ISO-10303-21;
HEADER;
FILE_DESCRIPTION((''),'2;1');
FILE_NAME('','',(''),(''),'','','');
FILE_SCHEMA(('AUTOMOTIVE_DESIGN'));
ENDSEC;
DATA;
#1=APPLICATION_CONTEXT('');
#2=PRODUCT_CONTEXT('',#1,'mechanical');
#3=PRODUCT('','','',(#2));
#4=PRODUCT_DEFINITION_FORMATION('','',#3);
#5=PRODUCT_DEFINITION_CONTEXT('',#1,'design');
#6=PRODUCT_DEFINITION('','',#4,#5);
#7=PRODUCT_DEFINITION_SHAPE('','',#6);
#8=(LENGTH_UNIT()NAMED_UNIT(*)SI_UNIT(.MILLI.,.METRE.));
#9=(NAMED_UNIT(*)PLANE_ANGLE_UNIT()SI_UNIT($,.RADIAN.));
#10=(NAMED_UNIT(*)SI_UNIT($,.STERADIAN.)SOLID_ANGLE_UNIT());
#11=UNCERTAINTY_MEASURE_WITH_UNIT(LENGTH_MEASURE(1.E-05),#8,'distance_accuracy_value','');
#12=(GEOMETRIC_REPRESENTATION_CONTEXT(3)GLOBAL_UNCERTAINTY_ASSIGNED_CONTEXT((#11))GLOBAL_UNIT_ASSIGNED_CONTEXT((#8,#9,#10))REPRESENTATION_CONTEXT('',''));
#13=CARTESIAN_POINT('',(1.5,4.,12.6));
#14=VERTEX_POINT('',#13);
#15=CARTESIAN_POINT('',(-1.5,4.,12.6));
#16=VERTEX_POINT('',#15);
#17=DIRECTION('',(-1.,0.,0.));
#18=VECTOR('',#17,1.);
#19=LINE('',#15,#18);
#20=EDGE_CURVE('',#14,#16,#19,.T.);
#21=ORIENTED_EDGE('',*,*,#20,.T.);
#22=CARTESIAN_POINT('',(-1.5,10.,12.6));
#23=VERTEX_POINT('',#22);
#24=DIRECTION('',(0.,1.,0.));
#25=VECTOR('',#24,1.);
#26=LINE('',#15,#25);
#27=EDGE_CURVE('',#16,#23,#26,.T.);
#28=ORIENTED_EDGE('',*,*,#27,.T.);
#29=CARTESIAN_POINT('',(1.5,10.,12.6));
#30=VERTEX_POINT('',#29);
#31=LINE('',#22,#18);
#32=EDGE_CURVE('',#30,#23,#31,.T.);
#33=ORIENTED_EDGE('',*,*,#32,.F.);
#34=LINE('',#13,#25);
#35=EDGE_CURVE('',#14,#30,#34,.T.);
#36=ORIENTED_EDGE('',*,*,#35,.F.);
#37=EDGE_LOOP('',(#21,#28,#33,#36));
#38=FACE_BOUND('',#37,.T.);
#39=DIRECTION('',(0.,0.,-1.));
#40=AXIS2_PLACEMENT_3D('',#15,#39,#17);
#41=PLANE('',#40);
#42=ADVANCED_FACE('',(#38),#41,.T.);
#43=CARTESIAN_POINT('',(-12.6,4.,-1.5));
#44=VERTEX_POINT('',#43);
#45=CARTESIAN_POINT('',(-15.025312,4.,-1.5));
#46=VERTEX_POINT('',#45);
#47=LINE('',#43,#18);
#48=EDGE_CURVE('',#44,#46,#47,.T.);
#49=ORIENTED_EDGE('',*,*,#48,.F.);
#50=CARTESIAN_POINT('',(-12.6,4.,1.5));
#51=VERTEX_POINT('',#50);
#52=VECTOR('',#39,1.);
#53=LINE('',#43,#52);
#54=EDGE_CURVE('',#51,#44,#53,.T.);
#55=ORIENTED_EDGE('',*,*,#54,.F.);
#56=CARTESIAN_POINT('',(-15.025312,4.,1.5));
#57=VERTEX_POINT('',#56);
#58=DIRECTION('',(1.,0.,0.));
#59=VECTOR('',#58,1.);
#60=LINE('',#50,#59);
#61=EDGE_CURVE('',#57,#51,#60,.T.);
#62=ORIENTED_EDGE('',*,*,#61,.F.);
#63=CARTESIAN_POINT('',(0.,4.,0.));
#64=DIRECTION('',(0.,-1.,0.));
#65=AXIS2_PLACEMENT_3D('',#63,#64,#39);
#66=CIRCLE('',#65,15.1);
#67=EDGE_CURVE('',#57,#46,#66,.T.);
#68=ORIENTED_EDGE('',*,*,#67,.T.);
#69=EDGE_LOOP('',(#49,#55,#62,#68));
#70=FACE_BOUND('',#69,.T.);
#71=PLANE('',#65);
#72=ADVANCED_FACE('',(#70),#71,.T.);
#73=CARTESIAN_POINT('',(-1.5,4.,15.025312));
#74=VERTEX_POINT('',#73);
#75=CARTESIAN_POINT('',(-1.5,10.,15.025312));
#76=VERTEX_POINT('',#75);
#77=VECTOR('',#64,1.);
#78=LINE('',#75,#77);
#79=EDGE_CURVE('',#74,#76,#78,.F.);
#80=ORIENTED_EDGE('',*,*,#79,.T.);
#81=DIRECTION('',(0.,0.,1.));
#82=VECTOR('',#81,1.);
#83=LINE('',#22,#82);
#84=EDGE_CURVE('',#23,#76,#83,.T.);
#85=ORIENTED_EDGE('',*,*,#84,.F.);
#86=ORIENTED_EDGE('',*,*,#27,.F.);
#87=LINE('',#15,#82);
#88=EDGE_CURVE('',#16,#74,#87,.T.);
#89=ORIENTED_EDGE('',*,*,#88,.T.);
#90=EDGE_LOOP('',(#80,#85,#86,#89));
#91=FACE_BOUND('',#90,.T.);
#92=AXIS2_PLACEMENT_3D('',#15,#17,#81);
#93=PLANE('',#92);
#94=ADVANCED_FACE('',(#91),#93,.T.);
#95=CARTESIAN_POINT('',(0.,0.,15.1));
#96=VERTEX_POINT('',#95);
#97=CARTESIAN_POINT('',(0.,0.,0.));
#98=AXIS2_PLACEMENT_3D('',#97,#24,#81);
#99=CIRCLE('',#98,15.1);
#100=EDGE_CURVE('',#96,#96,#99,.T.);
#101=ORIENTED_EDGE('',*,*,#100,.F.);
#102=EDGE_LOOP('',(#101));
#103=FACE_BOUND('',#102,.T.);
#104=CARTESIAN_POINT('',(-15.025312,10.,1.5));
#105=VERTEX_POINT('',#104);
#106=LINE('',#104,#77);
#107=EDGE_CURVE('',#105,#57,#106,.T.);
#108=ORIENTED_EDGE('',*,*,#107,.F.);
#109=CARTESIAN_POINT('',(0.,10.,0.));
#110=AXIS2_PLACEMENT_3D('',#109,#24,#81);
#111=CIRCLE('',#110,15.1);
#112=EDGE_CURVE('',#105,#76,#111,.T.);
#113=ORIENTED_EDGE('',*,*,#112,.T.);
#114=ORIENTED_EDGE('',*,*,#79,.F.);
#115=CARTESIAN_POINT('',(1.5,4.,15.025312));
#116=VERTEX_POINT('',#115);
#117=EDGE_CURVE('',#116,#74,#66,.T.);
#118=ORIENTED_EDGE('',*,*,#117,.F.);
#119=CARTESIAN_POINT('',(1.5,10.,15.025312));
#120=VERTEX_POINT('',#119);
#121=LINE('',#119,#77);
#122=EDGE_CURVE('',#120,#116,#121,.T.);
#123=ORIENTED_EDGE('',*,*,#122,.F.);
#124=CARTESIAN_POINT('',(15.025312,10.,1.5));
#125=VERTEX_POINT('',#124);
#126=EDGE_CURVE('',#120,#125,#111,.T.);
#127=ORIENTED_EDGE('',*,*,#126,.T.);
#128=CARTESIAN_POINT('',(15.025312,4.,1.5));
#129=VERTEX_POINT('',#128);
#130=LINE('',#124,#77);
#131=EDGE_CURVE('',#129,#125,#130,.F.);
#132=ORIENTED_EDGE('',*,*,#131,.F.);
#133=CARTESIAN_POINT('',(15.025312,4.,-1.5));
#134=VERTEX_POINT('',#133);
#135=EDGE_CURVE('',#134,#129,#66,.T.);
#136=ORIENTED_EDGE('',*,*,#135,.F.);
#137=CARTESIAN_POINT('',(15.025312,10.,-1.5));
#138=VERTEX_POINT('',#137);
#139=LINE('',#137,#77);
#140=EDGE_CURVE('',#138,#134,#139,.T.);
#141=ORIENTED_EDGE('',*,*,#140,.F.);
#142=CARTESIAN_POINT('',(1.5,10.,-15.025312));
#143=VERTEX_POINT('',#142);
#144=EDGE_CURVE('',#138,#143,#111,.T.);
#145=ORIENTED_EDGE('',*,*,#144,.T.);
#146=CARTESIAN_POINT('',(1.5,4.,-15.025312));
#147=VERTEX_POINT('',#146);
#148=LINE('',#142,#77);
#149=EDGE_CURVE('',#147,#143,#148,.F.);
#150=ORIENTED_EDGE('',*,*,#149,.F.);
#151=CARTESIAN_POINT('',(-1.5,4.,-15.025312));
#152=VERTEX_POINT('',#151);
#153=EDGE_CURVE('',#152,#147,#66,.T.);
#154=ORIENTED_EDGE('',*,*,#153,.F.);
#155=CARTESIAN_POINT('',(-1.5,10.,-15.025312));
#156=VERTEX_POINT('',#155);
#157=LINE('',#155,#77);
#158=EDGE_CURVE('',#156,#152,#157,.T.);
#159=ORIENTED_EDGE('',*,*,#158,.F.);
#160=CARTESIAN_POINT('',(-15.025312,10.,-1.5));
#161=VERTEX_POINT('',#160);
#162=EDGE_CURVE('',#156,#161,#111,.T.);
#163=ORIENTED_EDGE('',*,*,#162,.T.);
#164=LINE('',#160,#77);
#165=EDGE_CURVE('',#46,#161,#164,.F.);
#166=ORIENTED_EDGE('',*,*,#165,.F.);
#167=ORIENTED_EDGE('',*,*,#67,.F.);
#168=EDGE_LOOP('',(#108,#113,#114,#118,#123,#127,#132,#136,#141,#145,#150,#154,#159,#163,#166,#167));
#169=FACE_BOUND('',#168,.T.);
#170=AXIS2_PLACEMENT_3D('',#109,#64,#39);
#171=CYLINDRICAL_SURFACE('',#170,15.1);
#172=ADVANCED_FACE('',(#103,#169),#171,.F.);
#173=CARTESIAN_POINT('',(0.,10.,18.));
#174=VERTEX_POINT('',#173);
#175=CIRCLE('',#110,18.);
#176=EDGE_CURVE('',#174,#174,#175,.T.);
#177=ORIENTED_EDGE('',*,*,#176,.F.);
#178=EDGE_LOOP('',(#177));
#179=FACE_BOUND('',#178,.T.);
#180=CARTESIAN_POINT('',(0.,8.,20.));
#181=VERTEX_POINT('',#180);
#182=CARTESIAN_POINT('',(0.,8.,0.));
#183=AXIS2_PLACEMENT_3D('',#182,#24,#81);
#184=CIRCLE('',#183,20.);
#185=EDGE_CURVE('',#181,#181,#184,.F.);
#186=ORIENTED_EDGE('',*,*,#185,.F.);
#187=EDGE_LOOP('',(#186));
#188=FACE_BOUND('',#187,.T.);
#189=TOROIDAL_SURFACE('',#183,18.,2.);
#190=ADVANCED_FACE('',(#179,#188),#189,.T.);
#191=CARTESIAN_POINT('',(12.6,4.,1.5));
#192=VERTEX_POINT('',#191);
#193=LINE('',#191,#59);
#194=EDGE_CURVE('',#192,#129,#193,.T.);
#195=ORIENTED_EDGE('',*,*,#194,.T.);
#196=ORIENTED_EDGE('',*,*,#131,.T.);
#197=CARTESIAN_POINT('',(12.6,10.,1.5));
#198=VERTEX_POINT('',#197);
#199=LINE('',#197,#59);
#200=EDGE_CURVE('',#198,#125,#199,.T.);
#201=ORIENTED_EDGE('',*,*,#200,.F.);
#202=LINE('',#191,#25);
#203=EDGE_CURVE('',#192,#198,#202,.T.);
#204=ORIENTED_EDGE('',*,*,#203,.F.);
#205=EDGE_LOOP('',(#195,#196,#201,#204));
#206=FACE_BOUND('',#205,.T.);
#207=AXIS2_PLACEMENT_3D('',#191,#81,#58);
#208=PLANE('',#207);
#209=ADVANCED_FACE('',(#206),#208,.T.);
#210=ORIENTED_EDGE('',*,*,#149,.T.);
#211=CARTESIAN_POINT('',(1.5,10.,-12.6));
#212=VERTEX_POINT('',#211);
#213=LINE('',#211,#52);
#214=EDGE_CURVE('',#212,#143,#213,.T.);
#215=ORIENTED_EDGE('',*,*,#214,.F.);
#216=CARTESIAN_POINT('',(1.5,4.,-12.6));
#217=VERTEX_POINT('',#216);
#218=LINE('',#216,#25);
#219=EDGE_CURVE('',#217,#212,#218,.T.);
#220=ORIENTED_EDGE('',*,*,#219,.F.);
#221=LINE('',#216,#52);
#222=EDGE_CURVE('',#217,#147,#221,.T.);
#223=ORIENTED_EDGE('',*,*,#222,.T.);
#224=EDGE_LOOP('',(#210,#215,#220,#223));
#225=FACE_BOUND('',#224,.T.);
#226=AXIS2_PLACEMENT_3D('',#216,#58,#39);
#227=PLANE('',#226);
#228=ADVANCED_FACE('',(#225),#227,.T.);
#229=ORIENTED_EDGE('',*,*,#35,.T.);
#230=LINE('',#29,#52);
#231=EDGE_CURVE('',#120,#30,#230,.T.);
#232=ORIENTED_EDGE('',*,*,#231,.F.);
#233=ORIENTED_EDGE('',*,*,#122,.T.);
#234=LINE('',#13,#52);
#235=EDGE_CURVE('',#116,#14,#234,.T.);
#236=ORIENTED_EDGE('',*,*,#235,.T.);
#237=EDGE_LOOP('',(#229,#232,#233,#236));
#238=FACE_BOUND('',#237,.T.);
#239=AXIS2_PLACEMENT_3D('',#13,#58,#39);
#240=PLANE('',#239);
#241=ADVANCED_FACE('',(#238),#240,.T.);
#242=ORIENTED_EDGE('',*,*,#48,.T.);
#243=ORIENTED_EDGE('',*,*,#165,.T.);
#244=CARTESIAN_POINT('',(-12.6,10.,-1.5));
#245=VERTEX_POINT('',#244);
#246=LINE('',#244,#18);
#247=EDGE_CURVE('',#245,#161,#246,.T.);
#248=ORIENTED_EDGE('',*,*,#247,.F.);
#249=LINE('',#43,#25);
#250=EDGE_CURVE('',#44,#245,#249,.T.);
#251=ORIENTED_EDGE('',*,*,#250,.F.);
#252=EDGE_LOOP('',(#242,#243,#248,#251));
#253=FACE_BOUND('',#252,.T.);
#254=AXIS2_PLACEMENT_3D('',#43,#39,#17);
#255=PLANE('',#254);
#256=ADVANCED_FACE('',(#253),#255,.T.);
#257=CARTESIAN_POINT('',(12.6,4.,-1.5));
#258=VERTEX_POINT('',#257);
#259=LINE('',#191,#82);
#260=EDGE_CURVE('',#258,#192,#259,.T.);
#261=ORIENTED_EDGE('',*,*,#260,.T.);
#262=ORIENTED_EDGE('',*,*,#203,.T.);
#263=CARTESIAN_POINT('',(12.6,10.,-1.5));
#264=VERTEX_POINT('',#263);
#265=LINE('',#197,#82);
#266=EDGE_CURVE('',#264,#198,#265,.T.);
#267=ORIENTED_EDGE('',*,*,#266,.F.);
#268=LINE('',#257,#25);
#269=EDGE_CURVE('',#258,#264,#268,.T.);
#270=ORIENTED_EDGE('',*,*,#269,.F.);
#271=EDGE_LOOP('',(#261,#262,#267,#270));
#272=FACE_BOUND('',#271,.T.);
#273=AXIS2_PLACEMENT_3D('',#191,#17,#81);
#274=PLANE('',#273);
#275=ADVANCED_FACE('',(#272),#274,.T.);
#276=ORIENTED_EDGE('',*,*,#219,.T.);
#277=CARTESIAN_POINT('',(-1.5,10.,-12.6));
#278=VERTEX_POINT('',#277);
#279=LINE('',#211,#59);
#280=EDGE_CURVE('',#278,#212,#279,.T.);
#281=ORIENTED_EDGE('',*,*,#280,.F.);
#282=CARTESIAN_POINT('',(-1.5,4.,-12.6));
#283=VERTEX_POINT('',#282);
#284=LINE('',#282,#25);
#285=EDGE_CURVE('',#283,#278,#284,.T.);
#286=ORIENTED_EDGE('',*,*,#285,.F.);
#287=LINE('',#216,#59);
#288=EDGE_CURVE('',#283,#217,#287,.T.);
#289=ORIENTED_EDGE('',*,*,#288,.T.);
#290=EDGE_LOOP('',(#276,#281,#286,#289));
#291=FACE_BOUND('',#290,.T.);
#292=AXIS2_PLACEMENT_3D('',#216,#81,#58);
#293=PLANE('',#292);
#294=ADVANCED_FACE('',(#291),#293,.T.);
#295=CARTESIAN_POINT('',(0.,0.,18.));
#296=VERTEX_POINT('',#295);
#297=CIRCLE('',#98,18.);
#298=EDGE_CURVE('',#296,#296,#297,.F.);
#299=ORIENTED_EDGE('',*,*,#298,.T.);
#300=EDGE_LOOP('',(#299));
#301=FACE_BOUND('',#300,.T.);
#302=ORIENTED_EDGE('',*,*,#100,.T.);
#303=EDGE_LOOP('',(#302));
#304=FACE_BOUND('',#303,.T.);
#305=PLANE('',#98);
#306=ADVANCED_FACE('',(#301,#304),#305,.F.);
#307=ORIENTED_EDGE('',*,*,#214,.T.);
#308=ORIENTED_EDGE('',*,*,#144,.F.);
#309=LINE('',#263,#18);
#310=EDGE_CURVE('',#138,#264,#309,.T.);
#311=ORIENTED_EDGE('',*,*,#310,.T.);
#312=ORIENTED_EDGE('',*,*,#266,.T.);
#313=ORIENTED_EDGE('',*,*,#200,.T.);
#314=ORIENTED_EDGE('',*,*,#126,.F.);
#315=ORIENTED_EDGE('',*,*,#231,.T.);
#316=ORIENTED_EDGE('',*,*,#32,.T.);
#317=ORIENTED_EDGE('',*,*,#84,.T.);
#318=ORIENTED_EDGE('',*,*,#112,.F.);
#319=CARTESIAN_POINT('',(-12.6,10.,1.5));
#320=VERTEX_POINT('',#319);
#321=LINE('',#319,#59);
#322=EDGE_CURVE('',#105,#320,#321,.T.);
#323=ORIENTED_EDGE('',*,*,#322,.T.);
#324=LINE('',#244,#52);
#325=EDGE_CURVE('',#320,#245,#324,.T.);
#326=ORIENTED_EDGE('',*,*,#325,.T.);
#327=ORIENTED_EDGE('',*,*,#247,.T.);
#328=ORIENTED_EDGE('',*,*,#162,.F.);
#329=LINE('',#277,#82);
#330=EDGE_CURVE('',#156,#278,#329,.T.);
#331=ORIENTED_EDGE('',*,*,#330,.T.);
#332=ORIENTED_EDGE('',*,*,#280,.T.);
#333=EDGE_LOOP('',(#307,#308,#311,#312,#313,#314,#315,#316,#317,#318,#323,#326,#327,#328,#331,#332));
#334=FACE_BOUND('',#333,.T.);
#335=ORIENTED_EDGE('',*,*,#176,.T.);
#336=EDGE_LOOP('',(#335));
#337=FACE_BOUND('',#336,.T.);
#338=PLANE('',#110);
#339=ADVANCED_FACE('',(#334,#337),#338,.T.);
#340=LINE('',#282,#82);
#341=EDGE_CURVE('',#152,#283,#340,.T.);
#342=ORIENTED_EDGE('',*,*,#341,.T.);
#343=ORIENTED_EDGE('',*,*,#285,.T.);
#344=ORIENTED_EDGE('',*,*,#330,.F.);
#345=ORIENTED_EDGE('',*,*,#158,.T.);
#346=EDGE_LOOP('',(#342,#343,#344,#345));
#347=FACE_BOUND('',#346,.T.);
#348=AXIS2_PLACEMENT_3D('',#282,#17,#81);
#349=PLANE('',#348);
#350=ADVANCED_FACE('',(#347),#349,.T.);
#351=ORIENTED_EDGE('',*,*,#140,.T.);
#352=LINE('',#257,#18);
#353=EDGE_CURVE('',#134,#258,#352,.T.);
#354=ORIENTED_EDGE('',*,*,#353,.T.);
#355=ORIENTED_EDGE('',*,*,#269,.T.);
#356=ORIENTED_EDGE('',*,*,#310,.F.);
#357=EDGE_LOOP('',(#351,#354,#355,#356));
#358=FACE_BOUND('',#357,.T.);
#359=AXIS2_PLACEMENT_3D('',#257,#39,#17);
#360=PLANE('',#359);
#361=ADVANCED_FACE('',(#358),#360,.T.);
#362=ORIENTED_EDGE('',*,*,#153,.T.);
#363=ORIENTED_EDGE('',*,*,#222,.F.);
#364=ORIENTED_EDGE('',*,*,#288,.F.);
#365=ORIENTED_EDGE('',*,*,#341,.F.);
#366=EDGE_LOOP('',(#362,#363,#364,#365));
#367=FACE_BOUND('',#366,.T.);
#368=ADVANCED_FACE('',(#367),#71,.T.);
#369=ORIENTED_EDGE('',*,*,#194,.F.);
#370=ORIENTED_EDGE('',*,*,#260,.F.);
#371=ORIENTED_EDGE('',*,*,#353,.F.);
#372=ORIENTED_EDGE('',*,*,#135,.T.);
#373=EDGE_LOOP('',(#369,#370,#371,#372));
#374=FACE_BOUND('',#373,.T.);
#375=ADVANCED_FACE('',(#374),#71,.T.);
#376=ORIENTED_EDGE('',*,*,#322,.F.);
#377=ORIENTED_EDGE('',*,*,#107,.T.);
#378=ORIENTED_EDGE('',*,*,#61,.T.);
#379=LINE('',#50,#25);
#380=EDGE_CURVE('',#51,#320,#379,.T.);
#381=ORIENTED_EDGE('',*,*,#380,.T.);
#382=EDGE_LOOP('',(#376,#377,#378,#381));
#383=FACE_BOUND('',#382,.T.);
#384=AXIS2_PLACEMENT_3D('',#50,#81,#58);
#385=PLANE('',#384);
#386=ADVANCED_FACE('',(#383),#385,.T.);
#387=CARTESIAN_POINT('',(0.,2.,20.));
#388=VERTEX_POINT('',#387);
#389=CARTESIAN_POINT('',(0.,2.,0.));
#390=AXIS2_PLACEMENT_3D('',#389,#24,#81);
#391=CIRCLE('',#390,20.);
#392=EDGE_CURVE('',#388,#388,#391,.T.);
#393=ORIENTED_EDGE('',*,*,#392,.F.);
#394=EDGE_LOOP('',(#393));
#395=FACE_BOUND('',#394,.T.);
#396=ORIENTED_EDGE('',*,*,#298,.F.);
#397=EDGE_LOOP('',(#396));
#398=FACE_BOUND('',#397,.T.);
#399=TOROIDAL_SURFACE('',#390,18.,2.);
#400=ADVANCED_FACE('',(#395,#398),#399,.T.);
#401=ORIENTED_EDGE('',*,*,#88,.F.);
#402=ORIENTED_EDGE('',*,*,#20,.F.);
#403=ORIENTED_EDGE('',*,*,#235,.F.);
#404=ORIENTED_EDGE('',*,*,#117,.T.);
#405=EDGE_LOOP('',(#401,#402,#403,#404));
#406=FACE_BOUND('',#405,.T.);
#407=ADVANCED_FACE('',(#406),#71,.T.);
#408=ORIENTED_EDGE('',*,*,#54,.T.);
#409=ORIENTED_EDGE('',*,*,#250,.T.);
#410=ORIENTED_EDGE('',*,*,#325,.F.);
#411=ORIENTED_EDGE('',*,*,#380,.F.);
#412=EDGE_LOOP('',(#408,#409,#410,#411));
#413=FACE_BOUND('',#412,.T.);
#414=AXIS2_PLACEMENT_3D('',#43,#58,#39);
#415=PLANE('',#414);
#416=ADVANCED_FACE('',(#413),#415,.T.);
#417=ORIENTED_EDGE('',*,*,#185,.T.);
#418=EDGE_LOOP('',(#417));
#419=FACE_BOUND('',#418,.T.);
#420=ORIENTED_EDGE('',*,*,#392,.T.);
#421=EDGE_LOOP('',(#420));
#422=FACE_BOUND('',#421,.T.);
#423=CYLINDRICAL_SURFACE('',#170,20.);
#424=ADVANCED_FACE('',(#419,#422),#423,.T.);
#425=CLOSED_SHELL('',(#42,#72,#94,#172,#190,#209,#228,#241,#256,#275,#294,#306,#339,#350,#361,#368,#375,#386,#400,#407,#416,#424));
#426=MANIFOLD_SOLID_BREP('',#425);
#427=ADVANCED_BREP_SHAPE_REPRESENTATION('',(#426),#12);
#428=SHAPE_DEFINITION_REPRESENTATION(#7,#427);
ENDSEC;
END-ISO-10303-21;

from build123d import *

# Parameters (mm, degrees)
SKETCH_1_R      = 20
SKETCH_1_R_2    = 15.1
EXTRUDE_1_DEPTH = 10
FILLET_1_R      = 2
SKETCH_2_W      = 3
SKETCH_2_H      = 5
SKETCH_2_W_2    = 5
SKETCH_2_H_2    = 3
EXTRUDE_2_DEPTH = 6


with BuildPart() as part:
    # Эскиз1 → Бобышка-Вытянуть1 (new body)
    with BuildSketch(Plane(origin=(0, 0, 0), x_dir=(1, 0, 0), z_dir=(0, 1, 0))):
        Circle(SKETCH_1_R)
        Circle(SKETCH_1_R_2, mode=Mode.SUBTRACT)
    extrude(amount=EXTRUDE_1_DEPTH)

    # Скругление1
    fillet_1_edges = [part.edges().sort_by_distance(p)[0] for p in [
        (-20, 0, 0),
        (-20, 10, 0),
    ]]
    fillet(fillet_1_edges, radius=FILLET_1_R)

    # Эскиз2 → Бобышка-Вытянуть2 (add)
    with BuildSketch(Plane(origin=(0, 10, 0), x_dir=(1, 0, 0), z_dir=(0, 1, 0))):
        with Locations((0, 15.1)):
            Rectangle(SKETCH_2_W, SKETCH_2_H)
        with Locations((-15.1, 0)):
            Rectangle(SKETCH_2_W_2, SKETCH_2_H_2)
        with Locations((15.1, 0)):
            Rectangle(SKETCH_2_W_2, SKETCH_2_H_2)
        with Locations((0, -15.1)):
            Rectangle(SKETCH_2_W, SKETCH_2_H)
    extrude(amount=-EXTRUDE_2_DEPTH)


solid = part.part
